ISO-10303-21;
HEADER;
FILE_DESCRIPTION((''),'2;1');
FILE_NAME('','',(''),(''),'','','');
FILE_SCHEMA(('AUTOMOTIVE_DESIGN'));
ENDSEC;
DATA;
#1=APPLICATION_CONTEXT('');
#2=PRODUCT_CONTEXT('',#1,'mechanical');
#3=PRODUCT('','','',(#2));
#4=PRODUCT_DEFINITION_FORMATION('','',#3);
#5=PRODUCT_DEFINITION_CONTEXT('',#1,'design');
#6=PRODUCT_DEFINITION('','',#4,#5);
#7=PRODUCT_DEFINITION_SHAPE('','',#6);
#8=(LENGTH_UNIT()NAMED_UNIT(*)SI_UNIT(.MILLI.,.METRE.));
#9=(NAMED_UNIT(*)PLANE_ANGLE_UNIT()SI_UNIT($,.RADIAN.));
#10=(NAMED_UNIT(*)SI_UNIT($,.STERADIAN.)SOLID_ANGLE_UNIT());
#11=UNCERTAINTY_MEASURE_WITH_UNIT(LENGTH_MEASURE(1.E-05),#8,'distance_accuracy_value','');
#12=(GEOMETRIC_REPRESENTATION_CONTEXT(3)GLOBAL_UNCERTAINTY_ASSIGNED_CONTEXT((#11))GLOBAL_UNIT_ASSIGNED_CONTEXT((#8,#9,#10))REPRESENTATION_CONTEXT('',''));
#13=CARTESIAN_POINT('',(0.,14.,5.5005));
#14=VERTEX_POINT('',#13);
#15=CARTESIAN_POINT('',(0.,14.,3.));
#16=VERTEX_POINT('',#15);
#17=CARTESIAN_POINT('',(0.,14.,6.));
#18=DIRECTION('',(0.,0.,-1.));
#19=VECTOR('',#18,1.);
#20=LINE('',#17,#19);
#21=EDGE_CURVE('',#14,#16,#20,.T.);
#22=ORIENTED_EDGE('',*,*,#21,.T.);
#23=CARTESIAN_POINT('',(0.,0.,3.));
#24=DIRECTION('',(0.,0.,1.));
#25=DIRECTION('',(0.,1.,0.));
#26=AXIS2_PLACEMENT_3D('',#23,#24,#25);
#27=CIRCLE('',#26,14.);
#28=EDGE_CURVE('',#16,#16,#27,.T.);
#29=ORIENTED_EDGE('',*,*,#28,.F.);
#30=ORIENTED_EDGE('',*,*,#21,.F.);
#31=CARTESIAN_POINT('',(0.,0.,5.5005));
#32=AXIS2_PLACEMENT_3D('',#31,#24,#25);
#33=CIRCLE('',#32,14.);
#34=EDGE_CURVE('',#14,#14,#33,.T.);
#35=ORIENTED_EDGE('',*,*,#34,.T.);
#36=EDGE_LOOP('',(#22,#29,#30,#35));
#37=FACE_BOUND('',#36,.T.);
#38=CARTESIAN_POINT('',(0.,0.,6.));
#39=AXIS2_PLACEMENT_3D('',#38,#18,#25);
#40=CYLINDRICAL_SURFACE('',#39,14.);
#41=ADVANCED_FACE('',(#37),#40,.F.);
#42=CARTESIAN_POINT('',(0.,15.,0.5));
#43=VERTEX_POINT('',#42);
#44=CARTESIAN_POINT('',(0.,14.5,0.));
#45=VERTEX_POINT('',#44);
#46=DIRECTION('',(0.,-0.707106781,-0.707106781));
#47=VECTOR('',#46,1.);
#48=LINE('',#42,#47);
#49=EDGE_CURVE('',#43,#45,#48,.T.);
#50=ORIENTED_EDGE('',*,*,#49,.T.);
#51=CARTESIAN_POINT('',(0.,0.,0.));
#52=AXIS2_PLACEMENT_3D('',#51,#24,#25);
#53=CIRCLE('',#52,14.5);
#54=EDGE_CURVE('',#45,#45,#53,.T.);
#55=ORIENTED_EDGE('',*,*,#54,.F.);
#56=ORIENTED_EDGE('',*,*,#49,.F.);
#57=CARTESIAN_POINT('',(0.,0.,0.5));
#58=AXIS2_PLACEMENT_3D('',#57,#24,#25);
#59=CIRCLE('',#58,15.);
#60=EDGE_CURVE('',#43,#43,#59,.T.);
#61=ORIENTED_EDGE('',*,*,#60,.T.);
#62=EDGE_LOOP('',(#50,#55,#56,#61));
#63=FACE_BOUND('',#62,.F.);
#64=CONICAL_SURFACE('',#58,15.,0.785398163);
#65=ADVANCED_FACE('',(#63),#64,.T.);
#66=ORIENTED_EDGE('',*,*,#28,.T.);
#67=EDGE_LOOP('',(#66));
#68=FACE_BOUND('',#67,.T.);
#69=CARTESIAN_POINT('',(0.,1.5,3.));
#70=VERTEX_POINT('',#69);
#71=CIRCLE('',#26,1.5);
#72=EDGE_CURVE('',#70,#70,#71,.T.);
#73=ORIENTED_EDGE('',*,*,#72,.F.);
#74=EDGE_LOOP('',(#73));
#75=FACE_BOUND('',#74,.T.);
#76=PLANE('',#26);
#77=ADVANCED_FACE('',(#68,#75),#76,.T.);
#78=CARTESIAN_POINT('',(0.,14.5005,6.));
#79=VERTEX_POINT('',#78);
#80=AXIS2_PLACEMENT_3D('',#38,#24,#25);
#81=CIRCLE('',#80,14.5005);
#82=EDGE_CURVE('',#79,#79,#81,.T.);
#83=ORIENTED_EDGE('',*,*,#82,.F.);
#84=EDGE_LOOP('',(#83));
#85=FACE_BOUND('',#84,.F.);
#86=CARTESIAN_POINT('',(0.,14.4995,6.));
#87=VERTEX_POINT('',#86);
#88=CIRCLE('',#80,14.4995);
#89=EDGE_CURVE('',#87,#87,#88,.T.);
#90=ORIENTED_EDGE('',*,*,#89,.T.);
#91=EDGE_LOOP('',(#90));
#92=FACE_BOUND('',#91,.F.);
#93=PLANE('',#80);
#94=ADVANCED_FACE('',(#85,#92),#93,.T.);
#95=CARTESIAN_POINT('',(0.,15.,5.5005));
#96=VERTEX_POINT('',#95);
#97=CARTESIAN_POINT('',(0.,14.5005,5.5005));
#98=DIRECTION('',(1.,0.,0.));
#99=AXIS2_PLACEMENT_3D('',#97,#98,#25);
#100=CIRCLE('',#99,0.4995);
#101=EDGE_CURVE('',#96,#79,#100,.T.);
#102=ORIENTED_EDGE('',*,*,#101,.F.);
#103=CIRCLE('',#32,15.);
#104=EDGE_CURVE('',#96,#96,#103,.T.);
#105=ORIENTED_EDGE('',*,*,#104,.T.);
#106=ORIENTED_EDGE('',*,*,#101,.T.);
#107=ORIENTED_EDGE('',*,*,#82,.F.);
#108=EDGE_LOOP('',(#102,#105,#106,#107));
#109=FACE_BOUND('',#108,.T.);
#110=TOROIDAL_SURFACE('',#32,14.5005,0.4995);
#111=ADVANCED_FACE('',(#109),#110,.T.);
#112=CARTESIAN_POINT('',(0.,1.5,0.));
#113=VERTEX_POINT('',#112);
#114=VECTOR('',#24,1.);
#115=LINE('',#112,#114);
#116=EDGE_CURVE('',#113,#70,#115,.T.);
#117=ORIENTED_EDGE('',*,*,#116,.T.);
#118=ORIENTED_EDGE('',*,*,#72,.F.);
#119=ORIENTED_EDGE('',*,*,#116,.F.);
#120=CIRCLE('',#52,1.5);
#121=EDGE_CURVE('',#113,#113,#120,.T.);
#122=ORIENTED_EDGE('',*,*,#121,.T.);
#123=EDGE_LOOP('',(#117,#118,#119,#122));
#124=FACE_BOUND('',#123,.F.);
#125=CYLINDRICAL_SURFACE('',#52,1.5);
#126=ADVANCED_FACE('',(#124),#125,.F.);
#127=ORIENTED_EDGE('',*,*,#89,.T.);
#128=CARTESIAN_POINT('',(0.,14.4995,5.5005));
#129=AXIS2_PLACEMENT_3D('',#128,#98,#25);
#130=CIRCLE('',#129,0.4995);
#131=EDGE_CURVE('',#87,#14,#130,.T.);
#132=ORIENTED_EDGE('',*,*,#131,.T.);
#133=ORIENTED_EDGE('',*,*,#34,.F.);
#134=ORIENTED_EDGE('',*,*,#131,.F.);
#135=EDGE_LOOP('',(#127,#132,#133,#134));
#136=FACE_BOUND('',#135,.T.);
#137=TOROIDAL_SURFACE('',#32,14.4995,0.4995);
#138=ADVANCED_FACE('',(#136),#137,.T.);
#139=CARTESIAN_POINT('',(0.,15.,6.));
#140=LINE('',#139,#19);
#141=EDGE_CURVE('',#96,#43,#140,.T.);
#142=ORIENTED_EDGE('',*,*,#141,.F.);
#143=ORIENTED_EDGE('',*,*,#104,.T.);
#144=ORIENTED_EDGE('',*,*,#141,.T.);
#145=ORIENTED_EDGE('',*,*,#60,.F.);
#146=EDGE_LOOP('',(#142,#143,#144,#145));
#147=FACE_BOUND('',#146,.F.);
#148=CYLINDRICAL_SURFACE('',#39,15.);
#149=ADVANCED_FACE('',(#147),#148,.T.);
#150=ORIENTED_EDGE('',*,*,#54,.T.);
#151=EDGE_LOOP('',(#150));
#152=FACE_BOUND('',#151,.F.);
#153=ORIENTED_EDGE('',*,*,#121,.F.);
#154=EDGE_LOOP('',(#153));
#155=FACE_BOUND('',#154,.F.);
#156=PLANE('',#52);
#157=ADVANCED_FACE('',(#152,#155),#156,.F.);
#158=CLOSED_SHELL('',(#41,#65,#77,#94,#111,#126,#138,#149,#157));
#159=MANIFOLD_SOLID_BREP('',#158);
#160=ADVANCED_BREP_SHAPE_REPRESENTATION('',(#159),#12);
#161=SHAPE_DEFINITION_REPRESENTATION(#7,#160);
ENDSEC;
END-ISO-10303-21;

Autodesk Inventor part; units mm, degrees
ref_plane "YZ Plane" through (0, 0, 0) normal (1, 0, 0) x (0, 1, 0)
ref_plane "XZ Plane" through (0, 0, 0) normal (0, 1, 0) x (-1, 0, 0)
ref_plane "XY Plane" through (0, 0, 0) normal (0, 0, 1) x (1, 0, 0)
sketch "Sketch1" plane through (0, 0, 0) normal (1, 0, 0) x (0, 1, 0)
  line L0 (0, 0) -> (0, 6)
  line L1 (0, 6) -> (14, 6) construction
  line L2 (14, 6) -> (15, 6)
  line L3 (15, 6) -> (15, 0)
  line L4 (15, 0) -> (0, 0)
  line L5 (14, 6) -> (14, 3)
  line L6 (14, 3) -> (0, 3)
  dimension "d0" = 30
  dimension "d1" = 6
  dimension "d2" = 3
  dimension "d3" = 1
revolve "Revolution1" add sketch "Sketch1" angle 360 about axis through (0, 0, 0) along (0, 0, 1)
chamfer "Chamfer1" distance 0.5 angle 45 1 edges at (0, -15, 0)
sketch "Sketch2" plane through (0, 0, 0) normal (0, 0, -1) x (-1, 0, 0)
  point P0 (0, 0)
  point P1 (0, 0)
hole "Hole1" at (0, 0, 0) direction (0, 0, 1) diameter 3 end through all
thread "Thread1" size "M3x0.5" class "6H" standard "ANSI Metric M Profile" full length
fillet "Fillet1" radius 0.5 2 edges at (0, -15, 6) (0, -14, 6)
properties part number "boron-bowl" material "Stainless Steel"
